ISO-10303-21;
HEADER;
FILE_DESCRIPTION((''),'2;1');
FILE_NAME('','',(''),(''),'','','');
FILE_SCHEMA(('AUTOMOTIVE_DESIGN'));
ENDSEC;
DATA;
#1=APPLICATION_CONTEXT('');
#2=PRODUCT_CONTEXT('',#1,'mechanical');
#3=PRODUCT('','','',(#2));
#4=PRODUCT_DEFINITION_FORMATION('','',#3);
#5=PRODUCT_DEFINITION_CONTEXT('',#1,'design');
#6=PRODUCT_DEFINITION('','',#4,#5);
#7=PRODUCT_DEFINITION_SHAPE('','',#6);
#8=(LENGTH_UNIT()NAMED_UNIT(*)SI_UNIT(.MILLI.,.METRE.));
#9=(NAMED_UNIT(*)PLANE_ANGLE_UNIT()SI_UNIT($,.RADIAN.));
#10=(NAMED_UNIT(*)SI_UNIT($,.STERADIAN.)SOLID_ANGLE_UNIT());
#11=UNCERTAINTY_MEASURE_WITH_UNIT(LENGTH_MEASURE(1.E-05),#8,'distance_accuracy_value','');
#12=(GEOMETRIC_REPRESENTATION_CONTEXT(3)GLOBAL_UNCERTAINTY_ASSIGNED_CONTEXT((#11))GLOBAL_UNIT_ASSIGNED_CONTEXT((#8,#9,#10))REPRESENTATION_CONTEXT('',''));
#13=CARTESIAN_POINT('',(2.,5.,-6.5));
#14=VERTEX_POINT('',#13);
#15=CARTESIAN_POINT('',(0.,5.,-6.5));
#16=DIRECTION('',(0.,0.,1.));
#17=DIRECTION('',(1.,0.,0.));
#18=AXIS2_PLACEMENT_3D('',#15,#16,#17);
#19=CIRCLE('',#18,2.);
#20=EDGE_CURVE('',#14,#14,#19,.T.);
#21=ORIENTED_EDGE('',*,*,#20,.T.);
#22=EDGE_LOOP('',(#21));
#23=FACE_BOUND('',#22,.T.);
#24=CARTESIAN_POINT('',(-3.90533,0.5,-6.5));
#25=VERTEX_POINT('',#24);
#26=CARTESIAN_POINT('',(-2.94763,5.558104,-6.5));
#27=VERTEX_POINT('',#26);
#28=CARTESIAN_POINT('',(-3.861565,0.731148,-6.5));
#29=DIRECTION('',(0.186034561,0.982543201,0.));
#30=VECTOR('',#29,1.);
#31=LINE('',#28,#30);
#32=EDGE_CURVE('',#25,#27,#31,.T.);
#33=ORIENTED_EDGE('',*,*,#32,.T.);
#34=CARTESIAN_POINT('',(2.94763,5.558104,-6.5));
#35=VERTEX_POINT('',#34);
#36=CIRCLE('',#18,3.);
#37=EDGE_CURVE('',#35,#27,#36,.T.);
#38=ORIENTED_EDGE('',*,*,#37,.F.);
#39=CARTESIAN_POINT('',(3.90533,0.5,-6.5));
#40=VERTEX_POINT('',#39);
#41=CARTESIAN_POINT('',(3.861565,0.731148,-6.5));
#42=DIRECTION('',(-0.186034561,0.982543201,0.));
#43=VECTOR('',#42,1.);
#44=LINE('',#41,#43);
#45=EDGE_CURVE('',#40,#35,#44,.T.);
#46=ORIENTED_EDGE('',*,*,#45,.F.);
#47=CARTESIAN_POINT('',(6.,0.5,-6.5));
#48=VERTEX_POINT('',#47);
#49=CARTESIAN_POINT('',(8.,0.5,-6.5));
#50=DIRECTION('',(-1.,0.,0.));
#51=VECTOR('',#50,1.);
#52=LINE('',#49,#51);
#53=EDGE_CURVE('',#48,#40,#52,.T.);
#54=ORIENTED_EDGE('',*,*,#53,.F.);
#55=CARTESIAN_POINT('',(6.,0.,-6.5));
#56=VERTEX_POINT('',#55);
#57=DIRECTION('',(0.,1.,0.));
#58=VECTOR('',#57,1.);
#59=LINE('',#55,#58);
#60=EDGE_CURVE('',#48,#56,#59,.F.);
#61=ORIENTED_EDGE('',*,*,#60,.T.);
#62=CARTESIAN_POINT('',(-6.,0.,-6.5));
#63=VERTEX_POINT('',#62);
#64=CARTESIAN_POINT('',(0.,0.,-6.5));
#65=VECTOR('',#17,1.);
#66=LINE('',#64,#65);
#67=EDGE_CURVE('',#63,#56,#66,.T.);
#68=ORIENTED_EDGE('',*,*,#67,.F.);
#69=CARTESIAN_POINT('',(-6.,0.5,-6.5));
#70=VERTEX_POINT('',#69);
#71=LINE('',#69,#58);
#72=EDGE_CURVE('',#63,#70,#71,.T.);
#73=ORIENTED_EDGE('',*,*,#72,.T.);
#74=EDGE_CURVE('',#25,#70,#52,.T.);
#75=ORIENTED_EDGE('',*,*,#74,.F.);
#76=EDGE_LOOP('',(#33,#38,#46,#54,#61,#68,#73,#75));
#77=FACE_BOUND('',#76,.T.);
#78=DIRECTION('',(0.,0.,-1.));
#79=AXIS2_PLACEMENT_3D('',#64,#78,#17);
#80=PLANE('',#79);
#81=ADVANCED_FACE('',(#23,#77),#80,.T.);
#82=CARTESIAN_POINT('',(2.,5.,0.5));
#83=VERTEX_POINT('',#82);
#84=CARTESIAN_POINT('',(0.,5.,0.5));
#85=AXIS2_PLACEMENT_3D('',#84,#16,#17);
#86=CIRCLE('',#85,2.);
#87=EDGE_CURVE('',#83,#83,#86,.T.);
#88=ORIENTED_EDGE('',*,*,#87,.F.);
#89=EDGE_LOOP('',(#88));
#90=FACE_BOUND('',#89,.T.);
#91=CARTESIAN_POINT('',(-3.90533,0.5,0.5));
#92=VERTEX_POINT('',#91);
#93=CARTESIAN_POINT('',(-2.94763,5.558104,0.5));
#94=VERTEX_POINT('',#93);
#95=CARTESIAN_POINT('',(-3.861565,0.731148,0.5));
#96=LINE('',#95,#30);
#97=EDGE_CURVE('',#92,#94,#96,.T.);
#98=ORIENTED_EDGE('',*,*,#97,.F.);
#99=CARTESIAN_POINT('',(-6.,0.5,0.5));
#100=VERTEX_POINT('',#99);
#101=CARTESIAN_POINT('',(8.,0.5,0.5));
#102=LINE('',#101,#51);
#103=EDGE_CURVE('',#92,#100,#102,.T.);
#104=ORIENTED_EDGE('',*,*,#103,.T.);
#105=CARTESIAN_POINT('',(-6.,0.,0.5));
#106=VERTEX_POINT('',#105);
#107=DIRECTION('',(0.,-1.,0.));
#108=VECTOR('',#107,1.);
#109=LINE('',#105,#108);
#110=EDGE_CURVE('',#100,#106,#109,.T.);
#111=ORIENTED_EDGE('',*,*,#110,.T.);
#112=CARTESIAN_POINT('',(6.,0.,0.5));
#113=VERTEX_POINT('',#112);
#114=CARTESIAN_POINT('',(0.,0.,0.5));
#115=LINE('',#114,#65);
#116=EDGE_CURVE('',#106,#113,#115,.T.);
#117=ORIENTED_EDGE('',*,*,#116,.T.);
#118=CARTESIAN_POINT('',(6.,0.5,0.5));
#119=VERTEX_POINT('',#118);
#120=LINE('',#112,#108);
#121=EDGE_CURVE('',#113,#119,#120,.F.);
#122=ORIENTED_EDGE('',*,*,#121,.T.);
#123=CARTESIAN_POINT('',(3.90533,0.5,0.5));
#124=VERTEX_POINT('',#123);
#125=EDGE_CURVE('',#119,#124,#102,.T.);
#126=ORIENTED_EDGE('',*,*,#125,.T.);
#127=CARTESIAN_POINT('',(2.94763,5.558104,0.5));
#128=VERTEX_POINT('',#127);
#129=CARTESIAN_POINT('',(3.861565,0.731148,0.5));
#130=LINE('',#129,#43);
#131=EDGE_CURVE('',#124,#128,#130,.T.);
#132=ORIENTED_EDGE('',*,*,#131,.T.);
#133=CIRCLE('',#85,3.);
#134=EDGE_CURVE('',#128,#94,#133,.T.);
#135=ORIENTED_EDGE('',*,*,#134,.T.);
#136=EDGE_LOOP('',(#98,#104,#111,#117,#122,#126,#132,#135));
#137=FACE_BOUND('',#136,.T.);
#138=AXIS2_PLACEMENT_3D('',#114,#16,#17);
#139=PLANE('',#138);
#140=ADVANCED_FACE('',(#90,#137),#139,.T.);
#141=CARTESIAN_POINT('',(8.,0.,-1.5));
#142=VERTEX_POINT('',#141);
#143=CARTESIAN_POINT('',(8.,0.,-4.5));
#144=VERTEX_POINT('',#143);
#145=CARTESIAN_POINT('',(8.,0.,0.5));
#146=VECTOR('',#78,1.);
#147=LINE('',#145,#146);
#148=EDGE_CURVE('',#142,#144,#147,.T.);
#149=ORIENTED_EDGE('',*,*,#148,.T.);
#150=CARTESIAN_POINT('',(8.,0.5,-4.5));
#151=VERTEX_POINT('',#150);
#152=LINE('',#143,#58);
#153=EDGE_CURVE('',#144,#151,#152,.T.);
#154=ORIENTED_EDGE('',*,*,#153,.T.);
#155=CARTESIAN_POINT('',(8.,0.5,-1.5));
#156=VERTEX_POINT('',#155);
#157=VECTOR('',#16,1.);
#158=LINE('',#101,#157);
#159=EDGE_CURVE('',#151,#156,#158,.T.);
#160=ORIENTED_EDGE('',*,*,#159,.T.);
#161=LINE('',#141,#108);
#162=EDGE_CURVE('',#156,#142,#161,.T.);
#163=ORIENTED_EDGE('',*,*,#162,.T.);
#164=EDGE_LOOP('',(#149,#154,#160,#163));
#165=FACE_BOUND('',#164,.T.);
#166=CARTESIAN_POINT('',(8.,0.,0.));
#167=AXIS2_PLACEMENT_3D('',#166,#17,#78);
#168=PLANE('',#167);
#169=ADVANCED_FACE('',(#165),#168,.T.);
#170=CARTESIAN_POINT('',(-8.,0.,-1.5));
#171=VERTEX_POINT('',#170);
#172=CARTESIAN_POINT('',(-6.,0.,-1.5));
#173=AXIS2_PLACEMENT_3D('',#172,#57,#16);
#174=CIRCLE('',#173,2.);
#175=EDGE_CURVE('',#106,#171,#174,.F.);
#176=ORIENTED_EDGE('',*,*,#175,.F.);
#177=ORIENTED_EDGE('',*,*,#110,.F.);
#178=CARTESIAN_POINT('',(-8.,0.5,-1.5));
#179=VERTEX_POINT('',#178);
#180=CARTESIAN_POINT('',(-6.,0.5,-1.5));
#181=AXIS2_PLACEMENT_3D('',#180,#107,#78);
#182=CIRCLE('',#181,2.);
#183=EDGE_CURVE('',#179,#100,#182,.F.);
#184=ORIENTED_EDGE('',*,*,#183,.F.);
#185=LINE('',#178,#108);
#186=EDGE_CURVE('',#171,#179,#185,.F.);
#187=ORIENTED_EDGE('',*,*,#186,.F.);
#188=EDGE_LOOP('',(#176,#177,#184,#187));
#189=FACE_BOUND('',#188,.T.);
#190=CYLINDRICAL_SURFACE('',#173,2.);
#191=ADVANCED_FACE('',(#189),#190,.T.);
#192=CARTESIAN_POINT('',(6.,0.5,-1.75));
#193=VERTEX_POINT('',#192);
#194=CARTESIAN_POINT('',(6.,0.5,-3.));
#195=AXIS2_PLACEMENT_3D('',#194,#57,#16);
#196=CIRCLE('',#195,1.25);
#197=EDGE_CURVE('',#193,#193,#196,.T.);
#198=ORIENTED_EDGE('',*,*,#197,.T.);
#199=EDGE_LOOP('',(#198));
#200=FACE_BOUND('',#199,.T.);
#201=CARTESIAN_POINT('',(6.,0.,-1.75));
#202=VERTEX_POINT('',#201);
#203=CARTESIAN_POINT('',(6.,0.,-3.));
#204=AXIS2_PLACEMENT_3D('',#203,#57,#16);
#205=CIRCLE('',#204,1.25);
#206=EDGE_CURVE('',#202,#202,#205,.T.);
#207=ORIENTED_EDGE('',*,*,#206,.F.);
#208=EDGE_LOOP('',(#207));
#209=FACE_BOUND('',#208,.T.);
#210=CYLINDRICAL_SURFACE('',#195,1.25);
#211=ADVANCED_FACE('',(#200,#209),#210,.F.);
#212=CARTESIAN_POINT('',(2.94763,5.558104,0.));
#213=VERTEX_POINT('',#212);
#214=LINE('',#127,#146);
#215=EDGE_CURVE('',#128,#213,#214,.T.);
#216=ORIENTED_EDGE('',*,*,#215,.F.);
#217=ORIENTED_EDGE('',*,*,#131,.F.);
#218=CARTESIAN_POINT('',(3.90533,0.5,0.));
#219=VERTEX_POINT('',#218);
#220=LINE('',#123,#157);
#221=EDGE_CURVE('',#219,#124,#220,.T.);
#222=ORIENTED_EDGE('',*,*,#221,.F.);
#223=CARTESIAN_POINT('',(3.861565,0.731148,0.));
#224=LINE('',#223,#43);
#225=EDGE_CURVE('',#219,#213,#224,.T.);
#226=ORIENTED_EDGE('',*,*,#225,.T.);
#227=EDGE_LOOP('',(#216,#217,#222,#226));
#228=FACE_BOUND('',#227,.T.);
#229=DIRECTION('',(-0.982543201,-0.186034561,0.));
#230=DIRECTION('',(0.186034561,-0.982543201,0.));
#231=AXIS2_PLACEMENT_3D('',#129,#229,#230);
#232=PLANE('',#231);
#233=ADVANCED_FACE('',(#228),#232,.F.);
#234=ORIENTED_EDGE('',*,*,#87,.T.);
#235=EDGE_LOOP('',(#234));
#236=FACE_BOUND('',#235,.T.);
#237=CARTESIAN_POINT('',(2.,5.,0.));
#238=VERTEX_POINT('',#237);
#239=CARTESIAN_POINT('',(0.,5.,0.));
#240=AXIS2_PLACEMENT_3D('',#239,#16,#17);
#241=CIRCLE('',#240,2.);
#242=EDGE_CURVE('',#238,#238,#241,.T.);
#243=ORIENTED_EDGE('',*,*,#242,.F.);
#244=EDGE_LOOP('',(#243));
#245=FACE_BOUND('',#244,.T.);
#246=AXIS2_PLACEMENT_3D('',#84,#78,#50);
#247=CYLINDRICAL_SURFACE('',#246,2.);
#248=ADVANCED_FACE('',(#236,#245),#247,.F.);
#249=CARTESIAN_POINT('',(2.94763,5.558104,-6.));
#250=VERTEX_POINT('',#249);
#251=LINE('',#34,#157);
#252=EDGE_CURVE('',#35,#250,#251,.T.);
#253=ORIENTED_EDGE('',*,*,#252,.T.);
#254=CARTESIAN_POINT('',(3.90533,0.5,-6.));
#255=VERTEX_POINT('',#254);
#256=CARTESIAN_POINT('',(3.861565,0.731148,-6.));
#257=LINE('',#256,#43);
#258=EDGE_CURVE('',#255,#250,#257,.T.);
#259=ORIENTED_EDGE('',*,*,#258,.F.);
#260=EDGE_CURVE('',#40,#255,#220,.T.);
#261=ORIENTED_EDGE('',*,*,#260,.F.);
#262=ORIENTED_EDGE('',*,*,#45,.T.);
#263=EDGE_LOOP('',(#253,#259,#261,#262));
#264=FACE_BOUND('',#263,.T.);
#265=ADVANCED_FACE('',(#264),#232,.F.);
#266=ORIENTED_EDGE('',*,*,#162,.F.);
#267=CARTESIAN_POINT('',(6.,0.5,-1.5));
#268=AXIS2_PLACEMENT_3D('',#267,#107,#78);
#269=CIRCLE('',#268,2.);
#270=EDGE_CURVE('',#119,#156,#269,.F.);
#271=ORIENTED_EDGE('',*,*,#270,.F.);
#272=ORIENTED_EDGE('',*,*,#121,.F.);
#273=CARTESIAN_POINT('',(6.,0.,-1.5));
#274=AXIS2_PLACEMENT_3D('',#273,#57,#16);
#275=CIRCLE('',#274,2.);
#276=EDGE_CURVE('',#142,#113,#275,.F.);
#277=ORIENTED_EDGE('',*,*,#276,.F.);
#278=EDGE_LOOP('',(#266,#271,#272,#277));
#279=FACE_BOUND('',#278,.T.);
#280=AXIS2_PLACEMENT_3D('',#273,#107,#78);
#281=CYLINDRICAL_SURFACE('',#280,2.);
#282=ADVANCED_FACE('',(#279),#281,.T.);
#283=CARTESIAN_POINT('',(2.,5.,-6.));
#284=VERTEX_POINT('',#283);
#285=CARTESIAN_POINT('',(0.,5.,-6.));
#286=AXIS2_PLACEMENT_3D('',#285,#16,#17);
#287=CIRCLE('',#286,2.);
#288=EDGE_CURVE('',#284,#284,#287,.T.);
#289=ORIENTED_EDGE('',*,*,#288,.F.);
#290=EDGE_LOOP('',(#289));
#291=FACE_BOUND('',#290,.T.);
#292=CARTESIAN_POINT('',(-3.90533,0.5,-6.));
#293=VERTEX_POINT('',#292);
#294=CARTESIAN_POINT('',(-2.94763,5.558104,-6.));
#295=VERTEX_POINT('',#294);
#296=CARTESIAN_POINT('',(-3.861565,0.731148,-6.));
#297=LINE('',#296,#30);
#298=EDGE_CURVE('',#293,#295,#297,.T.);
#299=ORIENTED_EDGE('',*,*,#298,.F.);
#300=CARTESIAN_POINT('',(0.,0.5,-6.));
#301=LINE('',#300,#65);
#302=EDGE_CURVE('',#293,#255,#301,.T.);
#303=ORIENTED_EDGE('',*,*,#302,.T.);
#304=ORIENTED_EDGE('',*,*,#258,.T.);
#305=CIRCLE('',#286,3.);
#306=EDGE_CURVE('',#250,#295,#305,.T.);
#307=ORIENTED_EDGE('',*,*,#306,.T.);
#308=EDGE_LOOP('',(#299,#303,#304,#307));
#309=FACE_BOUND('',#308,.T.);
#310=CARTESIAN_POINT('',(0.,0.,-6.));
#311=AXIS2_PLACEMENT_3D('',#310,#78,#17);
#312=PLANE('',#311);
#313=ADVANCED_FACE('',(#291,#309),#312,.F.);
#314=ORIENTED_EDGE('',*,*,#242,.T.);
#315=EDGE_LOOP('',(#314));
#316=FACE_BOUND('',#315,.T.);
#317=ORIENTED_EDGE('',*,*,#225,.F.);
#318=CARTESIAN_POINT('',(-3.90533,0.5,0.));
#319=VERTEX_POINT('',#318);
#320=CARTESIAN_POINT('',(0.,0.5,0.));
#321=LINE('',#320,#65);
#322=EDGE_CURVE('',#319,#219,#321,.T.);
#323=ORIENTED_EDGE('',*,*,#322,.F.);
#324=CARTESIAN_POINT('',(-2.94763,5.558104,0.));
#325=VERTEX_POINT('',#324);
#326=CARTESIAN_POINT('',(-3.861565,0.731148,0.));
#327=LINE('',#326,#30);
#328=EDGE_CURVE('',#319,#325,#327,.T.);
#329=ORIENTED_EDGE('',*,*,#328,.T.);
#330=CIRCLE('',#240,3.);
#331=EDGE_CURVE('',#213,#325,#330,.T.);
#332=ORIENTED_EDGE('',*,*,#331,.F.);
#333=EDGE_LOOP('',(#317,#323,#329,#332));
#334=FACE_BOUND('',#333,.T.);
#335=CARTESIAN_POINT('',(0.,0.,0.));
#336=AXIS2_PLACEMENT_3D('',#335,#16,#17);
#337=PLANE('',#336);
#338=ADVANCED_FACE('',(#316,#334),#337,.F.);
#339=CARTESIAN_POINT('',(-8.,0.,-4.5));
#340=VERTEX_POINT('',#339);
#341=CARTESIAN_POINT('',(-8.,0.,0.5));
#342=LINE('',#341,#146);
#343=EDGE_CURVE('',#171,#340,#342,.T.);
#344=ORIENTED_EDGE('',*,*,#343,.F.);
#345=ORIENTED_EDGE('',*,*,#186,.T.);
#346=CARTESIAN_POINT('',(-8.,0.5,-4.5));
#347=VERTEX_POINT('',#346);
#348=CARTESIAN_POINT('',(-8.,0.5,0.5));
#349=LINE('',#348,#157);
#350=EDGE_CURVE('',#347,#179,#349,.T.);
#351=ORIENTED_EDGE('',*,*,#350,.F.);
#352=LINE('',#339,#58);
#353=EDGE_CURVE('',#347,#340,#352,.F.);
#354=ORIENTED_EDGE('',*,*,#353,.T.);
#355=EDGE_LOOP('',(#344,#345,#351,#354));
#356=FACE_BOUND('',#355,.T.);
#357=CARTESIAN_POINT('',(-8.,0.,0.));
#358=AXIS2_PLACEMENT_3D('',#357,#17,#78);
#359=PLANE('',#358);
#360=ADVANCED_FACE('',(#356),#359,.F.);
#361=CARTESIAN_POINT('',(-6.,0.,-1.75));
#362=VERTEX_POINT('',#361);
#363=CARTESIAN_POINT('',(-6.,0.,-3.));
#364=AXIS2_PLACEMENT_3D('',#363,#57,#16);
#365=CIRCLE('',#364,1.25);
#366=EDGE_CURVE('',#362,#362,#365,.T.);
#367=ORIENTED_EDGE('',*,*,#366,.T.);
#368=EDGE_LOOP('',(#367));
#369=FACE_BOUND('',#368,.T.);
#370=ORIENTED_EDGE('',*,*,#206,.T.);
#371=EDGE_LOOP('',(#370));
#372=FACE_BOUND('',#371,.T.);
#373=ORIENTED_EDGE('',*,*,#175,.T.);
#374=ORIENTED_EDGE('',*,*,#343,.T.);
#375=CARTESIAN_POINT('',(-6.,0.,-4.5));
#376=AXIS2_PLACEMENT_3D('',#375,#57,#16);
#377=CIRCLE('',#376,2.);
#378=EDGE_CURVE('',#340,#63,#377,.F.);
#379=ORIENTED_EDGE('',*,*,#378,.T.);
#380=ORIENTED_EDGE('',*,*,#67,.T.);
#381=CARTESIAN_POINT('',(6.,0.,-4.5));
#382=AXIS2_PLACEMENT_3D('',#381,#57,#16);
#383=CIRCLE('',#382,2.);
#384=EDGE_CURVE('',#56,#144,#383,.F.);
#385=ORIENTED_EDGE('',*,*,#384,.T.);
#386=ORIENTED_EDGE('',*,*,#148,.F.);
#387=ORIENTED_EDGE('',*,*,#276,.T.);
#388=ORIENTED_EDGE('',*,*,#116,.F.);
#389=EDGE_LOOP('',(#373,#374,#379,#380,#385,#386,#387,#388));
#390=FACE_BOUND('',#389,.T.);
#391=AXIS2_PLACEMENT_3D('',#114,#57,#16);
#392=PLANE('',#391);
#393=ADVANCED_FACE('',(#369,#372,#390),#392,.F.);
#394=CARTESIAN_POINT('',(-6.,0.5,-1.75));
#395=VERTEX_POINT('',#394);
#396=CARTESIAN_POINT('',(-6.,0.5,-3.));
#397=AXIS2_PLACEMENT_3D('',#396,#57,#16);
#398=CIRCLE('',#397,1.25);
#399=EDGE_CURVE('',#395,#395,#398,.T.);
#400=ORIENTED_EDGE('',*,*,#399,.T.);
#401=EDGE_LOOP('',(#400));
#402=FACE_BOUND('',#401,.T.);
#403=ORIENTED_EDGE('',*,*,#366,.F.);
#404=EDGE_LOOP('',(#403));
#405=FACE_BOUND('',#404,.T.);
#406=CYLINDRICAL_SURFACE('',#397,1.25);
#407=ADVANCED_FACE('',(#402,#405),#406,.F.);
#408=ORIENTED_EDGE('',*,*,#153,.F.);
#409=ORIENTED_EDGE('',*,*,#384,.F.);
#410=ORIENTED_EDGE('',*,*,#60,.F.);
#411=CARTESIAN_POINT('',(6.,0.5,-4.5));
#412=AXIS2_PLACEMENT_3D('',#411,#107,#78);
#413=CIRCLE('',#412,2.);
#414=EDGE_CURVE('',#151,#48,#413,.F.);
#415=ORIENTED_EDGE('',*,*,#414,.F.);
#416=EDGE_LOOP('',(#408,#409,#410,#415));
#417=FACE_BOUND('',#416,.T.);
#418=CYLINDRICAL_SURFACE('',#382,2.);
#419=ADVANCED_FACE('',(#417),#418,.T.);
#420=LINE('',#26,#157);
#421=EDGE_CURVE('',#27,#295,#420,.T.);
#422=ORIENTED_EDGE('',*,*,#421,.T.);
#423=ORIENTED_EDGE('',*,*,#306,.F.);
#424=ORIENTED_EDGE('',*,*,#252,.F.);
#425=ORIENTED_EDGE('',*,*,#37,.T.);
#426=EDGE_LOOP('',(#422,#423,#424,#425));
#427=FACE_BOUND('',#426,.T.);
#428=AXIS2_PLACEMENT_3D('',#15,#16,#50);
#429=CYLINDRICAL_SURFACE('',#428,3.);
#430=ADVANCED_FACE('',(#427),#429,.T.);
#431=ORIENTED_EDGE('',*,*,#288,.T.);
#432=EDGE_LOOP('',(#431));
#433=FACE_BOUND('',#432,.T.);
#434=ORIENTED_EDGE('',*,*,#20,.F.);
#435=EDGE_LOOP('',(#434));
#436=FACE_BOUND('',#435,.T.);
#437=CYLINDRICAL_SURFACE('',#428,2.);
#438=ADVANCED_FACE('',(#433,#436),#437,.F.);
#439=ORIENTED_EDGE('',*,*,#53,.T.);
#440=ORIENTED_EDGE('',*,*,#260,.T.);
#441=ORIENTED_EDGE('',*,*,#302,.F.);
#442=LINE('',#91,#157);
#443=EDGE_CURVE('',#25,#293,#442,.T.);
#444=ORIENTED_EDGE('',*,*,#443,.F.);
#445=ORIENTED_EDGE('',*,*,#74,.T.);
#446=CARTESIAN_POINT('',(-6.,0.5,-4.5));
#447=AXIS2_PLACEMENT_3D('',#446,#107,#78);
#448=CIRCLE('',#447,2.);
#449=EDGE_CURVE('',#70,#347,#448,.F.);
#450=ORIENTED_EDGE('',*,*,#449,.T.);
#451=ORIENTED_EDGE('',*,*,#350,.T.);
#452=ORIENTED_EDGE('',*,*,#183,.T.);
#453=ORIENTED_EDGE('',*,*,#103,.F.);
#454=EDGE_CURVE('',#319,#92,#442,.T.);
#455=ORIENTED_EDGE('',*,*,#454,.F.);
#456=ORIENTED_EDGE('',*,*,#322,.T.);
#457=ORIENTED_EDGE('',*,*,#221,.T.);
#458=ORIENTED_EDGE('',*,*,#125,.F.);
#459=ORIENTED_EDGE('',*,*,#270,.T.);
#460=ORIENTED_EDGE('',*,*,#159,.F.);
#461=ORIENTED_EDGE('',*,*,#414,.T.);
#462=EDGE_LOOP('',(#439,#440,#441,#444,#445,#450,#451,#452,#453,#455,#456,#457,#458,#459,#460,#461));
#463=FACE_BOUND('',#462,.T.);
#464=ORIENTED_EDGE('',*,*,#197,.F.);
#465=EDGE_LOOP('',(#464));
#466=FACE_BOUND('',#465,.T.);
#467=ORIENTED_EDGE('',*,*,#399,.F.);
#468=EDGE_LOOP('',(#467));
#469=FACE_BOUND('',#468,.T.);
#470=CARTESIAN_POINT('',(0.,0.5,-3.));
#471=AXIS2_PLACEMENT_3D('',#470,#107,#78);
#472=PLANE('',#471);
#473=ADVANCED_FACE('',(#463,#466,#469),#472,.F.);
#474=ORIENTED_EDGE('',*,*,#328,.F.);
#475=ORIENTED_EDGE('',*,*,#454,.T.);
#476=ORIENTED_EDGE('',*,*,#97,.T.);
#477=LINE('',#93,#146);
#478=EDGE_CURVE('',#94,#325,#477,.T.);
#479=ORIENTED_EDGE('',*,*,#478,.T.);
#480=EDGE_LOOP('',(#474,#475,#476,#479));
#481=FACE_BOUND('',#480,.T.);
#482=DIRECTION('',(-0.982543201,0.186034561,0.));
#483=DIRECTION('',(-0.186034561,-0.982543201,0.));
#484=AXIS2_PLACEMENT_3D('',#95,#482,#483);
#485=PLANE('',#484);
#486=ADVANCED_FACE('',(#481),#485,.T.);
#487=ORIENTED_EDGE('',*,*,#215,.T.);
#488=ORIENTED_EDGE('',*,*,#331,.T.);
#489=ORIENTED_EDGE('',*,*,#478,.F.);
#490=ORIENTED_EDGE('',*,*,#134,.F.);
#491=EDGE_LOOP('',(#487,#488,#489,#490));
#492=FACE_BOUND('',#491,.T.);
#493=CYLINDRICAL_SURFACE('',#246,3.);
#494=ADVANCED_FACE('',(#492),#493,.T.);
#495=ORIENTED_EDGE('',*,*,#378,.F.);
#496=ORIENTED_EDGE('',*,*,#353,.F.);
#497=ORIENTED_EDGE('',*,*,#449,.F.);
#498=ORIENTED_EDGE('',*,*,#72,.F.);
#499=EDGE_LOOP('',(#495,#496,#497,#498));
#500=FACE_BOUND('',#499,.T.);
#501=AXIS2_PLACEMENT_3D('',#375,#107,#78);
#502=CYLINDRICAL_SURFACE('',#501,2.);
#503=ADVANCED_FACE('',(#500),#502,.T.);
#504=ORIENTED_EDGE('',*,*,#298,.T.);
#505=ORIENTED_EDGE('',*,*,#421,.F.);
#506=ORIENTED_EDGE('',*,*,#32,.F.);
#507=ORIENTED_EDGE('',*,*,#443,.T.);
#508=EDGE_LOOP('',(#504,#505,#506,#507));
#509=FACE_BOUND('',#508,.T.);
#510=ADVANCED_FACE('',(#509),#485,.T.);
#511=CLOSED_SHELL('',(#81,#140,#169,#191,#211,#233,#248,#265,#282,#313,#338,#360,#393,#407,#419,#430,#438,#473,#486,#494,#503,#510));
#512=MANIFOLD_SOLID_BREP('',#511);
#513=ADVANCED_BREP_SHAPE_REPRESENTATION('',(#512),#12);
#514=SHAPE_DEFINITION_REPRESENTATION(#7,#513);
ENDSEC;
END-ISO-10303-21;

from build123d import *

# Parameters (mm, degrees)
SKETCH_1_R      = 2
EXTRUDE_1_DEPTH = 0.5
EXTRUDE_2_DEPTH = 3
SKETCH_4_W      = 7
SKETCH_4_H      = 0.5
EXTRUDE_3_DEPTH = 8
F_2_5MM_1_D     = 2.5
FILLET_1_R      = 2


with BuildPart() as part:
    # 草圖1 → 填料-伸長1 (new body)
    with BuildSketch(Plane.XY):
        with BuildLine():
            Line((-4, 0), (4, 0))
            Line((4, 0), (2.947629603, 5.558103683))
            ThreePointArc((2.947629603, 5.558103683), (0, 8), (-2.947629603, 5.558103683))
            Line((-2.947629603, 5.558103683), (-4, 0))
        make_face()
        with Locations((0, 5)):
            Circle(SKETCH_1_R, mode=Mode.SUBTRACT)
    extrude(amount=EXTRUDE_1_DEPTH)

    # 草圖1<3> → 填料-伸長2 (add)
    with BuildSketch(Plane.XY):
        Polygon((-3.905330086, 0.5), (-4, 0), (4, 0), (3.905330086, 0.5), align=None)
    extrude(amount=-EXTRUDE_2_DEPTH)

    # 鏡射1: part across plane


with BuildPart() as part_1:
    add(part.part)
    add(part.part.mirror(Plane.XY.offset(-3)))

    # 草圖4 → 填料-伸長3 (add, symmetric)
    with BuildSketch(Plane(origin=(0, 0, 0), x_dir=(0, 0, -1), z_dir=(1, 0, 0))):
        with Locations((3, 0.25)):
            Rectangle(SKETCH_4_W, SKETCH_4_H)
    extrude(amount=EXTRUDE_3_DEPTH, both=True)

    # Ø2.5mm 定位孔1 (through all)
    with Locations(Plane(origin=(0, 0.5, 0), x_dir=(1, 0, 0), z_dir=(0, 1, 0))):
        with Locations((-6, 3), (6, 3)):
            Hole(F_2_5MM_1_D / 2)

    # 圓角1
    fillet_1_edges = [part_1.edges().sort_by_distance(p)[0] for p in [
        (-8, 0.25, 0.5),
        (-8, 0.25, -6.5),
        (8, 0.25, 0.5),
        (8, 0.25, -6.5),
    ]]
    fillet(fillet_1_edges, radius=FILLET_1_R)


solid = part_1.part
